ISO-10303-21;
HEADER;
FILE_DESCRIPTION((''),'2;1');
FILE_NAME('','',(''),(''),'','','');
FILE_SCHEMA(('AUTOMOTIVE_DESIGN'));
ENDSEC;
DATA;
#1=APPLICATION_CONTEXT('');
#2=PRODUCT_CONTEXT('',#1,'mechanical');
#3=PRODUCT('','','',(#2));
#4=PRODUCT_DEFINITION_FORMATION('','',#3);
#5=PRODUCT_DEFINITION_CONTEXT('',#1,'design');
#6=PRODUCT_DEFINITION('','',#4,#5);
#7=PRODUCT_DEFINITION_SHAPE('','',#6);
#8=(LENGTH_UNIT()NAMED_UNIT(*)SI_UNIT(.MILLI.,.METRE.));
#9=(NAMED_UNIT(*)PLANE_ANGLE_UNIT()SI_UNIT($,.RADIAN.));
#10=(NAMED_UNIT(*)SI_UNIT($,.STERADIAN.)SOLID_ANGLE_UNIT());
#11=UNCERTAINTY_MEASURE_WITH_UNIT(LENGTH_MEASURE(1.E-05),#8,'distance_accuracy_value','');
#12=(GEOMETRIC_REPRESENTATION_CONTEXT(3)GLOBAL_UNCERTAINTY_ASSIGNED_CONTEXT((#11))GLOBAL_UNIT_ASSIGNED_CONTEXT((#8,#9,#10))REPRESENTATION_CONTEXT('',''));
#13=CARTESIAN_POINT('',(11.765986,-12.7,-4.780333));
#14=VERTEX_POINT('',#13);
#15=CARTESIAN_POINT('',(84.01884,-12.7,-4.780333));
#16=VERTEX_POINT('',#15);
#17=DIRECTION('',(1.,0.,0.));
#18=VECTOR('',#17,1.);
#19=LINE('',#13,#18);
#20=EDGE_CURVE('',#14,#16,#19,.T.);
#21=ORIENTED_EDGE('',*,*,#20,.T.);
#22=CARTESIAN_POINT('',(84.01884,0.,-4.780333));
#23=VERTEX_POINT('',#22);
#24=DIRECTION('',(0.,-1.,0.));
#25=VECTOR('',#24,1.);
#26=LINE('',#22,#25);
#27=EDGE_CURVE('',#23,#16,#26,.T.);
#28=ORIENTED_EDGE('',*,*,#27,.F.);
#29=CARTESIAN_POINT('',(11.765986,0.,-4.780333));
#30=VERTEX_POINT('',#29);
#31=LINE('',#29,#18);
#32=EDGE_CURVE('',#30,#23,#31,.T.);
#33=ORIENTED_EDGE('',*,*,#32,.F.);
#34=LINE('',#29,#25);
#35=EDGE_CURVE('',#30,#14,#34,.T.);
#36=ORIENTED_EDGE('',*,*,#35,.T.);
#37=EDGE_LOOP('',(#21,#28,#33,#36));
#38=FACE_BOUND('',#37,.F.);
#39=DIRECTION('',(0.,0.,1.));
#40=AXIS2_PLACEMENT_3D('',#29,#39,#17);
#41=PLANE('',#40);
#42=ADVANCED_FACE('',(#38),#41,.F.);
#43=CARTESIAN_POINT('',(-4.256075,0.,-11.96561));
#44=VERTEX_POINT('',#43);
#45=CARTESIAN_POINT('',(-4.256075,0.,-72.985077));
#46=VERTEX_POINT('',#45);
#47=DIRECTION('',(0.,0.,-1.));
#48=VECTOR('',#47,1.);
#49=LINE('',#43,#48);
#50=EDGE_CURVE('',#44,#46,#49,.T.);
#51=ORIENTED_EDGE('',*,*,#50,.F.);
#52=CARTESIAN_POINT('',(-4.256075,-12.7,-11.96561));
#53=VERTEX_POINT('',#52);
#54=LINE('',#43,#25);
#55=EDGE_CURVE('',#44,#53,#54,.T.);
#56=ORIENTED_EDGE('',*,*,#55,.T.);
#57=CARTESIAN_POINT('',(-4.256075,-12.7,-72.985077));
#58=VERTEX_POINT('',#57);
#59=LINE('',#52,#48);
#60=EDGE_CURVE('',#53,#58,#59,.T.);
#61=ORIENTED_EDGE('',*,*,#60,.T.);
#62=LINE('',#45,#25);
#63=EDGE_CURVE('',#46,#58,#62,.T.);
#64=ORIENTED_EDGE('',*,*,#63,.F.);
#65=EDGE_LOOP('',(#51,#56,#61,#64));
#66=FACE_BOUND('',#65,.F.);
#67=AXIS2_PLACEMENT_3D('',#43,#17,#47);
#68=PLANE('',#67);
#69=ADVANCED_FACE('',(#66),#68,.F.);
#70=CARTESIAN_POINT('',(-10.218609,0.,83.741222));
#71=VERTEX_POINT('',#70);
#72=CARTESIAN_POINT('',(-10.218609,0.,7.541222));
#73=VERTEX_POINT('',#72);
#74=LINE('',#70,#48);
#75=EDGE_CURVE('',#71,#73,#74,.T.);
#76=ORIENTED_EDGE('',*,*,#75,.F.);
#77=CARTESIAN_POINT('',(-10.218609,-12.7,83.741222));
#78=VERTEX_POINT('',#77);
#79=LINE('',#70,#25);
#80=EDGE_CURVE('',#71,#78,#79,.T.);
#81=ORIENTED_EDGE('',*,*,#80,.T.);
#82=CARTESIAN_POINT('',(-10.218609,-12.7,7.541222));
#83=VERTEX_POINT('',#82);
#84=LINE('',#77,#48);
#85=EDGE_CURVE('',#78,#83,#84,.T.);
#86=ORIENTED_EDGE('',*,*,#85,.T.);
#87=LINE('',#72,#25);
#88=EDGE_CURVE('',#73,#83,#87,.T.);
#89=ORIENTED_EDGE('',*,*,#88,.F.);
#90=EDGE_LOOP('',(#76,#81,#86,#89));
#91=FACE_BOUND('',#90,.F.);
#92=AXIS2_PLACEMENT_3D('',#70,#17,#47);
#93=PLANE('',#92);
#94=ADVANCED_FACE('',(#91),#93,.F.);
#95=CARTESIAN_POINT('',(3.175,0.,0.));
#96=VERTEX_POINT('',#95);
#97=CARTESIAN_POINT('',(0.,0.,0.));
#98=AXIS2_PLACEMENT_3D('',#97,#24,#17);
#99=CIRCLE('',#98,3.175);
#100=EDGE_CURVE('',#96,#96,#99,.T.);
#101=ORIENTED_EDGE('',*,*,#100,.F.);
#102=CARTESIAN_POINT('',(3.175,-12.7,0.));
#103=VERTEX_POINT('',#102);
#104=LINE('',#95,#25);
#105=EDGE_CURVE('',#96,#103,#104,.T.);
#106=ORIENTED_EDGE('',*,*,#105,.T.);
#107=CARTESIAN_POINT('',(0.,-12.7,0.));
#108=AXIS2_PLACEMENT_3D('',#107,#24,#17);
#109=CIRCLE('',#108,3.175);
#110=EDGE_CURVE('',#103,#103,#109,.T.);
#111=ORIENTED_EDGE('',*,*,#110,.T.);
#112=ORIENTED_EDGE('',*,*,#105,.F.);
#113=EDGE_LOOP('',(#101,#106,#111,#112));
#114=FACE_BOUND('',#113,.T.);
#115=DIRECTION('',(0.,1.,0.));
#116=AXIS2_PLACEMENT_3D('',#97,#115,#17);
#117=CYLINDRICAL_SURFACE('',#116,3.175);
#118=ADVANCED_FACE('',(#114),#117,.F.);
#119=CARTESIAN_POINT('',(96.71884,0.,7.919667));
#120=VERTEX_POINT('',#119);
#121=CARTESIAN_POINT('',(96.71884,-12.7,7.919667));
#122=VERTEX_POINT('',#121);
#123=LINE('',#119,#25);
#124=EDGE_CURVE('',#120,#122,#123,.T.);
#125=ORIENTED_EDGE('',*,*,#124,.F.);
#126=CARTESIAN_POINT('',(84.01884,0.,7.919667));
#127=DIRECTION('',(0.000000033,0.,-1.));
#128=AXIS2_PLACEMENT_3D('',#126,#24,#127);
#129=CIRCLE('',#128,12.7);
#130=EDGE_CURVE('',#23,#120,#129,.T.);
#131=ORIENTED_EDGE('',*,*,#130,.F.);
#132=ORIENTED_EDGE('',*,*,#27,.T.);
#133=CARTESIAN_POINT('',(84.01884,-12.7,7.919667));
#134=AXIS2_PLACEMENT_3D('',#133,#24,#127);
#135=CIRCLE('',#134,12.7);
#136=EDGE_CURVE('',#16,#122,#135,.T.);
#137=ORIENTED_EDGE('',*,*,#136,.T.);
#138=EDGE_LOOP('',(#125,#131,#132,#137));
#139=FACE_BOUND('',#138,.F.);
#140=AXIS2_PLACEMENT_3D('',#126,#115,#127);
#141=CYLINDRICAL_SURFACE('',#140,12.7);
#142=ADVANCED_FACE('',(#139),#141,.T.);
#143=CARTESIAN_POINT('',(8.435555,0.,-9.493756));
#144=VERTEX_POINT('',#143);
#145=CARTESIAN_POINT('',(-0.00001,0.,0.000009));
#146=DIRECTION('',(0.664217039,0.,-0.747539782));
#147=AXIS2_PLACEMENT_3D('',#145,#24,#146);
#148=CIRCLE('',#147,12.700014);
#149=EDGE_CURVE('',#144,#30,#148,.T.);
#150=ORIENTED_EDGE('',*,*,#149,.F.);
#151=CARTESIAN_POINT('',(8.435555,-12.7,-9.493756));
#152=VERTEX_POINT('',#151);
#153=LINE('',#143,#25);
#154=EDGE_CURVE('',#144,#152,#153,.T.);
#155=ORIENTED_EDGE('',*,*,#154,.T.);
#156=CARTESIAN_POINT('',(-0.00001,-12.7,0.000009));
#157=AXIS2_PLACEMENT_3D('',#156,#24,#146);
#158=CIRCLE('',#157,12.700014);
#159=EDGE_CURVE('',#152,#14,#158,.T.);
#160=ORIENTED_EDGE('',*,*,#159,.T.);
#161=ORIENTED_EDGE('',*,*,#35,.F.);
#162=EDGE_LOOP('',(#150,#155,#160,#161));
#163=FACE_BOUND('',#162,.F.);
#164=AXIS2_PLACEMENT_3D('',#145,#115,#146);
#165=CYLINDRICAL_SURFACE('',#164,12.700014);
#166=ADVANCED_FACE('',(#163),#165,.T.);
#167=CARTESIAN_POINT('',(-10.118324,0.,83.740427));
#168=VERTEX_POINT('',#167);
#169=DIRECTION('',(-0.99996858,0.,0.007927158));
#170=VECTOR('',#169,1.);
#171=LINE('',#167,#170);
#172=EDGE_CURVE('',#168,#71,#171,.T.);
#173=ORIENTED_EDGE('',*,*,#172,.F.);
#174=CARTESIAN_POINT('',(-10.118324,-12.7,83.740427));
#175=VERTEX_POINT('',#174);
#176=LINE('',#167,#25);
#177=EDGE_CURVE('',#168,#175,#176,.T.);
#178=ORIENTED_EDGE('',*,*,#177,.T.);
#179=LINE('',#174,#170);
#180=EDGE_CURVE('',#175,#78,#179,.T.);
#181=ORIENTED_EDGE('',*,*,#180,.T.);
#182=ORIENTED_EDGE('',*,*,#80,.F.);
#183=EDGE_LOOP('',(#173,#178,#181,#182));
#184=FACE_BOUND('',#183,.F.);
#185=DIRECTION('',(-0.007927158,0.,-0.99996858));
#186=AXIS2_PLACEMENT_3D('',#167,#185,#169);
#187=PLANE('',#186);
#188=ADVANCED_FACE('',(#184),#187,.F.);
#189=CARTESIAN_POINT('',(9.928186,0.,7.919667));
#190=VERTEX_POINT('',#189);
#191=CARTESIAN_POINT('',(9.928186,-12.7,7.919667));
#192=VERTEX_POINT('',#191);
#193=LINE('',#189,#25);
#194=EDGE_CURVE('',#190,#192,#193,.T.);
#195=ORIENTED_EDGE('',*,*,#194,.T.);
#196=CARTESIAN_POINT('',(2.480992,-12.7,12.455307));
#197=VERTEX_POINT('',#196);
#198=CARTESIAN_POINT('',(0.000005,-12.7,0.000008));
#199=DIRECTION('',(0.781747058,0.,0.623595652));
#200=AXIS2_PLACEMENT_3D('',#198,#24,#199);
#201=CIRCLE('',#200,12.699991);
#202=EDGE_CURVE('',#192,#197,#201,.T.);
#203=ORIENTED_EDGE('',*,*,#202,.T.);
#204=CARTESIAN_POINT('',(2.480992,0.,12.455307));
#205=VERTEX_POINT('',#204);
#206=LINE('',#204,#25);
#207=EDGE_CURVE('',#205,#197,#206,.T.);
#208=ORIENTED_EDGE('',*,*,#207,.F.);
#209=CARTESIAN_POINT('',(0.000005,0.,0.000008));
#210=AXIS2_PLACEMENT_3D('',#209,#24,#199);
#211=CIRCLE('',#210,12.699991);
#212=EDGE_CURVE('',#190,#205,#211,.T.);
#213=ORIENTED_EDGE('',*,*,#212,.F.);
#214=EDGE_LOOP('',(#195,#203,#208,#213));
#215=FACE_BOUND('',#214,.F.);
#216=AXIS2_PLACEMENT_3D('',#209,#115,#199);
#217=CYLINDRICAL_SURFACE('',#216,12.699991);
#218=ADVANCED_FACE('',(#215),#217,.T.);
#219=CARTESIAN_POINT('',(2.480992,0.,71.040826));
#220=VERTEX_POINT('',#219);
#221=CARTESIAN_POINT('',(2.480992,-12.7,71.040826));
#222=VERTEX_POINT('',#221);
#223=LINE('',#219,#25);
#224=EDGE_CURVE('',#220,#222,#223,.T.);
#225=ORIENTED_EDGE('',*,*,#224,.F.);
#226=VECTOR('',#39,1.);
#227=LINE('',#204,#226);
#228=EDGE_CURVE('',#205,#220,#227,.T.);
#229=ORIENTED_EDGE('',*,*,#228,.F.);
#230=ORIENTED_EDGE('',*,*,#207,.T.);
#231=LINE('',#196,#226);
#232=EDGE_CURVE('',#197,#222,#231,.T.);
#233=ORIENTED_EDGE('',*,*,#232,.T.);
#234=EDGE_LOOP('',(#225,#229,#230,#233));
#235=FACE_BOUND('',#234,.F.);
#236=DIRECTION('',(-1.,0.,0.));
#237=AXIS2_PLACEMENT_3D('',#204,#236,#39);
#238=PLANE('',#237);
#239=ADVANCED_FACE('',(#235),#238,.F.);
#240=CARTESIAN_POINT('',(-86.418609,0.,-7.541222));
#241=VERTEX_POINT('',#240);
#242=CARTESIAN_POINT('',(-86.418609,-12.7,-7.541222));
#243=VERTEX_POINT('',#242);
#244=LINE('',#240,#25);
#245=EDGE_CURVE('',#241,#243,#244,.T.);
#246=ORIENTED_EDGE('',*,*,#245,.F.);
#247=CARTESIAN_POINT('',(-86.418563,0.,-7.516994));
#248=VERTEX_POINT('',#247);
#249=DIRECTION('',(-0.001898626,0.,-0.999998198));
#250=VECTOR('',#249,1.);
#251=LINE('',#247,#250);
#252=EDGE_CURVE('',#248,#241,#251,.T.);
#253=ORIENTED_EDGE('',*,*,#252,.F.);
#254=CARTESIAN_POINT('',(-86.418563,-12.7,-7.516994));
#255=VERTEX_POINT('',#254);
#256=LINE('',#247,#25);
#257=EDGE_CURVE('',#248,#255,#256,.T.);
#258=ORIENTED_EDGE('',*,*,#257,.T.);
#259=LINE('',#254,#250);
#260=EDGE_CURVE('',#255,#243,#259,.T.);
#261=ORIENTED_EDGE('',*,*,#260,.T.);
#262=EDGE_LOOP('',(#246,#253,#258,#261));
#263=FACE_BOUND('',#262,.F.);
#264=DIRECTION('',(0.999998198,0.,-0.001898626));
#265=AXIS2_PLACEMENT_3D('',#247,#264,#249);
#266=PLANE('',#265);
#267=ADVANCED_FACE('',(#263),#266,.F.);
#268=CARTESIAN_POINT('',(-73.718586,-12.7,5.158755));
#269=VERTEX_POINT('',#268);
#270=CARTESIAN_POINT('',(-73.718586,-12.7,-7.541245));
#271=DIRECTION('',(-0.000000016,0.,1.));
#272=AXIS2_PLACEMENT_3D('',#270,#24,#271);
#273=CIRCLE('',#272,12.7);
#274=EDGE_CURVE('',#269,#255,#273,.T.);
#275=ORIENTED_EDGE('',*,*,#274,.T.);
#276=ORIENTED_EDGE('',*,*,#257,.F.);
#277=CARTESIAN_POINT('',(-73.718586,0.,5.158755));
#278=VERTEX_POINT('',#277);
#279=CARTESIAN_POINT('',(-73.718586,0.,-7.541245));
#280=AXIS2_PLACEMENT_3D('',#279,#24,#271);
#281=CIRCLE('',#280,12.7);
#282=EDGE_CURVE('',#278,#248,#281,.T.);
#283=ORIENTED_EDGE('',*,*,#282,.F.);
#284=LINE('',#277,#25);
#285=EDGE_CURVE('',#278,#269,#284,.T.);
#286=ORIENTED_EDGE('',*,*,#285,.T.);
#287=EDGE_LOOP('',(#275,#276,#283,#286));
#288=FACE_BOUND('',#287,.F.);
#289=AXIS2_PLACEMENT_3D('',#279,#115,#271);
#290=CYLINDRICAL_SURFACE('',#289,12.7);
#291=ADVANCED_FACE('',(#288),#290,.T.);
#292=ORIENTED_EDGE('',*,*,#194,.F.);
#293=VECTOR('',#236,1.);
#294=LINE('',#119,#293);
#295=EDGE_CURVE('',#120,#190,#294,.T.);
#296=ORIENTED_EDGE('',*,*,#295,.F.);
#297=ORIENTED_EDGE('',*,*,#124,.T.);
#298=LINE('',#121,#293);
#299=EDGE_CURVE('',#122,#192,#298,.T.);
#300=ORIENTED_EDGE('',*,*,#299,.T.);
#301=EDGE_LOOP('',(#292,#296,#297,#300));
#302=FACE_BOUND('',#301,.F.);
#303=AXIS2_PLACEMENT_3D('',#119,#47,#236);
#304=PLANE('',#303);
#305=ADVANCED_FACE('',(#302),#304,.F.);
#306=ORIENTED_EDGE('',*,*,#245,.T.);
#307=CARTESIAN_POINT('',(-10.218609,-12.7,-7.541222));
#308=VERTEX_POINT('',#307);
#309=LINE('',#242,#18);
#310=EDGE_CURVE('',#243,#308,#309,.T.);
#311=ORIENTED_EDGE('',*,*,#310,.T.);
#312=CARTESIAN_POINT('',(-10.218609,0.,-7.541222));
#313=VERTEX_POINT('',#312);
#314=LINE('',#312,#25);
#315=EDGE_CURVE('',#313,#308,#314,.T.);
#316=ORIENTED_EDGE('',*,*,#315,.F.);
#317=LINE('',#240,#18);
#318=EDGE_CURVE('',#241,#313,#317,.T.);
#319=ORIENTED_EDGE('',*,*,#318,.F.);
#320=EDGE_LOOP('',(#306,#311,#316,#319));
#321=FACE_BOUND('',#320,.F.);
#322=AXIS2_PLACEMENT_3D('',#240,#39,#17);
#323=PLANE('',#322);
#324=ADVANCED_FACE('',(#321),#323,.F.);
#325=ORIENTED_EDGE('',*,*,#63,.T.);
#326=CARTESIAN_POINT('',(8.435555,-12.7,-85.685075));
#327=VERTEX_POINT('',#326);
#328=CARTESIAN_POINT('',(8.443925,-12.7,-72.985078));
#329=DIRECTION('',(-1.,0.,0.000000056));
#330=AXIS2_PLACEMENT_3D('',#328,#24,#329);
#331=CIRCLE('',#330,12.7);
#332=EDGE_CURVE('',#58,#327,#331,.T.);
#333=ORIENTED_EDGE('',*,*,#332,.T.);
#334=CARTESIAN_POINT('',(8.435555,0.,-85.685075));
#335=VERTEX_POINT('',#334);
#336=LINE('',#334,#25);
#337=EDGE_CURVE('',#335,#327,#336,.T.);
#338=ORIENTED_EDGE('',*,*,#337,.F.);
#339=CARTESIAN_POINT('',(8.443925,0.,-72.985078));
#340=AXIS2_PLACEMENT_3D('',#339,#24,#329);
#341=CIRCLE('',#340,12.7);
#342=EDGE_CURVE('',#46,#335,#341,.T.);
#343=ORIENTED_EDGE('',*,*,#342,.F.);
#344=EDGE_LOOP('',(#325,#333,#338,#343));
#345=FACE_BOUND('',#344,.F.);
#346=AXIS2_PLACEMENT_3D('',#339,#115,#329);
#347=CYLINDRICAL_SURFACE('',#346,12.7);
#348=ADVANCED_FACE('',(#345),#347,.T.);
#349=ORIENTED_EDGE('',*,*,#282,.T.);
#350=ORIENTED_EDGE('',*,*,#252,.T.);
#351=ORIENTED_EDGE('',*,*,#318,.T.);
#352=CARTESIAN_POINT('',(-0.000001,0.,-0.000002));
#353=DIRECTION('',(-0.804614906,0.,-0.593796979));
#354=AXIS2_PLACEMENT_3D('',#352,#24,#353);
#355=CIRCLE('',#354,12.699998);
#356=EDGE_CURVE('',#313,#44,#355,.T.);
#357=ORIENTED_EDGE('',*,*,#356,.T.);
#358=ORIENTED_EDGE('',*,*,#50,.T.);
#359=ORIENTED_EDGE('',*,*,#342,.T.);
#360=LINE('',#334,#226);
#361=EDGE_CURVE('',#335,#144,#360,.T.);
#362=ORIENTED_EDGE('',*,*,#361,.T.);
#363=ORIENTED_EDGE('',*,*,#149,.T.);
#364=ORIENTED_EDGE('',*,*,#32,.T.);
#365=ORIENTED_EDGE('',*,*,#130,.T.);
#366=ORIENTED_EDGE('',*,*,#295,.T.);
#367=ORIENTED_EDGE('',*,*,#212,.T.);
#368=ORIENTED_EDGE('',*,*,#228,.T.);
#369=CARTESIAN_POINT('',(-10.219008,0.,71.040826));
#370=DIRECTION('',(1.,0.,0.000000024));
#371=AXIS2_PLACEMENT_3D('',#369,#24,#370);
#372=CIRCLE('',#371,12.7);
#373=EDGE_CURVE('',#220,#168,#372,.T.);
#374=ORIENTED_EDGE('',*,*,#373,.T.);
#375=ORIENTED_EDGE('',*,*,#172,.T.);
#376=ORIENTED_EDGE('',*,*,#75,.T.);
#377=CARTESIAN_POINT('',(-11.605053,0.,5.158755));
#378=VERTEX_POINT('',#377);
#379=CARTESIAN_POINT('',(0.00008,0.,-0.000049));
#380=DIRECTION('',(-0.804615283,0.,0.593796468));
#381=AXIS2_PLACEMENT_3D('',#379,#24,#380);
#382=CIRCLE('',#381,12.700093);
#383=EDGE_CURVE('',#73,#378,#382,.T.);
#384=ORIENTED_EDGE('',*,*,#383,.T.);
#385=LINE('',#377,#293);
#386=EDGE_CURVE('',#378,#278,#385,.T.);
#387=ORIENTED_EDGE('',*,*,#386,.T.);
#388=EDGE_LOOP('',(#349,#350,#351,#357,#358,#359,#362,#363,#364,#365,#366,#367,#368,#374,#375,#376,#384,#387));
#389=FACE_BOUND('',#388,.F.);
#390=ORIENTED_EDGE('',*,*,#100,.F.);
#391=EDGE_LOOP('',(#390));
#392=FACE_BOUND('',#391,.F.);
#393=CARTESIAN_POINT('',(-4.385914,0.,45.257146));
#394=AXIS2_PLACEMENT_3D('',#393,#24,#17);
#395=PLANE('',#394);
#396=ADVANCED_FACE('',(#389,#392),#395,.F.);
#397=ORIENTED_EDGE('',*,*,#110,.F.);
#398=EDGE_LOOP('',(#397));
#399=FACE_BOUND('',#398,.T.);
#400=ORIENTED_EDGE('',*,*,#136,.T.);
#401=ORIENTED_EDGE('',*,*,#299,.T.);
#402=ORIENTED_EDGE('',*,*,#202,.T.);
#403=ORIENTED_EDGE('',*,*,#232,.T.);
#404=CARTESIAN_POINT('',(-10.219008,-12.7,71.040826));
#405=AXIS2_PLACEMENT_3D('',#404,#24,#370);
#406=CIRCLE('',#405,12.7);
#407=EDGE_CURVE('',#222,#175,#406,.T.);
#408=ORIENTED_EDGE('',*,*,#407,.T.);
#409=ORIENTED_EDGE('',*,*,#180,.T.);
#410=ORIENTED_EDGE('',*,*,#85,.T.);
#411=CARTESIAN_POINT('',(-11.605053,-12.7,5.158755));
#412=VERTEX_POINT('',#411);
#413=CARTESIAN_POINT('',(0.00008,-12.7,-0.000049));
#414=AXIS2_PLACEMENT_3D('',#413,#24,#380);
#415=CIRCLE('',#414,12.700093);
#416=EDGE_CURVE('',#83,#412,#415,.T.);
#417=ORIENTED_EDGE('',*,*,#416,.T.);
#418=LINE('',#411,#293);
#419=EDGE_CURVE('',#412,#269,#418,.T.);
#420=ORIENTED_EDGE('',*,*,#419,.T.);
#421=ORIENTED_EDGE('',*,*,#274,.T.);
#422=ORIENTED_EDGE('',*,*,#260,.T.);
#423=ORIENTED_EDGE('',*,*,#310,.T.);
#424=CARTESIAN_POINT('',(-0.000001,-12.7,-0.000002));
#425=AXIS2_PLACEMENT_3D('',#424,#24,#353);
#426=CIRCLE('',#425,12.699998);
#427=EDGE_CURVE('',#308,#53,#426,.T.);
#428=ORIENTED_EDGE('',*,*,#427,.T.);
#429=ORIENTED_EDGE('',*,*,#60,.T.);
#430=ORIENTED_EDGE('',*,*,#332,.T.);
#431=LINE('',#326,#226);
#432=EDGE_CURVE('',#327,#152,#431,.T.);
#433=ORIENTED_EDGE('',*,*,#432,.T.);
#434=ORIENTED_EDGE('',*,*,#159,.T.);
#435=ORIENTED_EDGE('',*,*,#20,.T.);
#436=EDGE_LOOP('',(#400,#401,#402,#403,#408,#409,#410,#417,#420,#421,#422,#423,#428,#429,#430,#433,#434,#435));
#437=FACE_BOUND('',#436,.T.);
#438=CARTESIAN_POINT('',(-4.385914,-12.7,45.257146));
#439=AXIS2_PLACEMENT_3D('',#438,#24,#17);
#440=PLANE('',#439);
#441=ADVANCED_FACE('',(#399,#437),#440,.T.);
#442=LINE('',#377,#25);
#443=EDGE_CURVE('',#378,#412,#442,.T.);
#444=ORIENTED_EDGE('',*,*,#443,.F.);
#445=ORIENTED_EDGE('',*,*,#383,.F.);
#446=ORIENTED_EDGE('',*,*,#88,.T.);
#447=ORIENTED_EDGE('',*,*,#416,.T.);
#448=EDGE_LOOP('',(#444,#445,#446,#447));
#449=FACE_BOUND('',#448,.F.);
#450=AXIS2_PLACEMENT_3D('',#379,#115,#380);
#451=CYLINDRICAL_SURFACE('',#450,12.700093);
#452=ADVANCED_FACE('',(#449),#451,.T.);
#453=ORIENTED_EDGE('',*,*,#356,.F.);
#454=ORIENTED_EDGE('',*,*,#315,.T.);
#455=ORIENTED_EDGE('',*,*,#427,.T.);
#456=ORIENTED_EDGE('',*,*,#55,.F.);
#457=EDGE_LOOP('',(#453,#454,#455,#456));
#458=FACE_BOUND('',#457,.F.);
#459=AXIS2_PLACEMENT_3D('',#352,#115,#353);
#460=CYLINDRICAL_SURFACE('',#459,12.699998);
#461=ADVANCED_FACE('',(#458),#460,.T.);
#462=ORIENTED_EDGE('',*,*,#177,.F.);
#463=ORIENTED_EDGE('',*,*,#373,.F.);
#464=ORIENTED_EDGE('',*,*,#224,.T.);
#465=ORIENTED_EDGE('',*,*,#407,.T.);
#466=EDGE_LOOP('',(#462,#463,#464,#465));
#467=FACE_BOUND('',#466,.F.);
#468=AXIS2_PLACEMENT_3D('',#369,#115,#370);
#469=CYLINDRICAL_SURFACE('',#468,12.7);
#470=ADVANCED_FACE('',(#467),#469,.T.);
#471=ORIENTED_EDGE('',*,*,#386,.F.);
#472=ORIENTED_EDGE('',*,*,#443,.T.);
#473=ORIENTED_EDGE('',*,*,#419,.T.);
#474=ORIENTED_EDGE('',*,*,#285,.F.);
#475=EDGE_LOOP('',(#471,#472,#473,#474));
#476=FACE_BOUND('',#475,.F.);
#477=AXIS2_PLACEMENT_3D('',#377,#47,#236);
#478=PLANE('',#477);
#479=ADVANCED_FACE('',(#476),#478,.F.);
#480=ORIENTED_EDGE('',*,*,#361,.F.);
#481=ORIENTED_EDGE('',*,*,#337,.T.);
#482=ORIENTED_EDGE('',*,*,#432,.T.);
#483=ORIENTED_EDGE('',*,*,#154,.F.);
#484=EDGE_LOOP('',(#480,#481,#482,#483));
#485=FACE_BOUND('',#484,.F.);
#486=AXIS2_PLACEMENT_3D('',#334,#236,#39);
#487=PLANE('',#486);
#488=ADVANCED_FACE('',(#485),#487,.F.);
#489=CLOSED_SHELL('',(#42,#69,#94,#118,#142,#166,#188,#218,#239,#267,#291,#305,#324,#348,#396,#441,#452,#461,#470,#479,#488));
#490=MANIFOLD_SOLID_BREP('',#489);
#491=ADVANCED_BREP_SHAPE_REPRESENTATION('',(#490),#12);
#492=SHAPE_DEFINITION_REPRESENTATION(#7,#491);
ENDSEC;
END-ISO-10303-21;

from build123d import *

# Parameters (mm, degrees)
F0_R     = 3.175
F1_DEPTH = 12.7


with BuildPart() as f1:
    # F0 (on Front) → F1 (new body)
    with BuildSketch(Plane.XZ):
        with BuildLine():
            ThreePointArc((-10.218609, 7.541222), (-4.583093, 11.844208), (2.480992, 12.455307))
            Line((2.480992, 12.455307), (2.480992, 71.040826))
            ThreePointArc((2.480992, 71.040826), (-1.203225, 79.985414), (-10.118324, 83.740427))
            Line((-10.118324, 83.740427), (-10.218609, 83.741222))
            Line((-10.218609, 83.741222), (-10.218609, 7.541222))
        make_face()
        with BuildLine():
            ThreePointArc((11.765986, -4.780333), (12.464309, -2.435363), (12.7, 0))
            ThreePointArc((12.7, 0), (11.987034, 4.195357), (9.928186, 7.919667))
            ThreePointArc((9.928186, 7.919667), (6.606053, 10.846662), (2.480992, 12.455307))
            ThreePointArc((2.480992, 12.455307), (-4.583093, 11.844208), (-10.218609, 7.541222))
            ThreePointArc((-10.218609, 7.541222), (-10.976661, 6.387715), (-11.605053, 5.158755))
            ThreePointArc((-11.605053, 5.158755), (-12.624991, -1.378257), (-10.218609, -7.541222))
            ThreePointArc((-10.218609, -7.541222), (-7.567888, -10.198876), (-4.256075, -11.96561))
            ThreePointArc((-4.256075, -11.96561), (2.427865, -12.465772), (8.435555, -9.493756))
            ThreePointArc((8.435555, -9.493756), (10.372061, -7.328734), (11.765986, -4.780333))
        make_face()
        Circle(F0_R, mode=Mode.SUBTRACT)
        with BuildLine():
            ThreePointArc((-10.218609, -7.541222), (-12.624991, -1.378257), (-11.605053, 5.158755))
            Line((-11.605053, 5.158755), (-73.718586, 5.158755))
            ThreePointArc((-73.718586, 5.158755), (-82.690264, 1.447581), (-86.418563, -7.516994))
            Line((-86.418563, -7.516994), (-86.418609, -7.541222))
            Line((-86.418609, -7.541222), (-10.218609, -7.541222))
        make_face()
        with BuildLine():
            Line((8.435555, -85.685075), (8.435555, -9.493756))
            ThreePointArc((8.435555, -9.493756), (2.427865, -12.465772), (-4.256075, -11.96561))
            Line((-4.256075, -11.96561), (-4.256075, -72.985077))
            ThreePointArc((-4.256075, -72.985077), (-0.53929, -81.962374), (8.435555, -85.685075))
        make_face()
        with BuildLine():
            ThreePointArc((9.928186, 7.919667), (11.987034, 4.195357), (12.7, 0))
            ThreePointArc((12.7, 0), (12.464309, -2.435363), (11.765986, -4.780333))
            Line((11.765986, -4.780333), (84.01884, -4.780333))
            ThreePointArc((84.01884, -4.780333), (92.999096, -1.060589), (96.71884, 7.919667))
            Line((96.71884, 7.919667), (9.928186, 7.919667))
        make_face()
    extrude(amount=F1_DEPTH)


solid = f1.part
